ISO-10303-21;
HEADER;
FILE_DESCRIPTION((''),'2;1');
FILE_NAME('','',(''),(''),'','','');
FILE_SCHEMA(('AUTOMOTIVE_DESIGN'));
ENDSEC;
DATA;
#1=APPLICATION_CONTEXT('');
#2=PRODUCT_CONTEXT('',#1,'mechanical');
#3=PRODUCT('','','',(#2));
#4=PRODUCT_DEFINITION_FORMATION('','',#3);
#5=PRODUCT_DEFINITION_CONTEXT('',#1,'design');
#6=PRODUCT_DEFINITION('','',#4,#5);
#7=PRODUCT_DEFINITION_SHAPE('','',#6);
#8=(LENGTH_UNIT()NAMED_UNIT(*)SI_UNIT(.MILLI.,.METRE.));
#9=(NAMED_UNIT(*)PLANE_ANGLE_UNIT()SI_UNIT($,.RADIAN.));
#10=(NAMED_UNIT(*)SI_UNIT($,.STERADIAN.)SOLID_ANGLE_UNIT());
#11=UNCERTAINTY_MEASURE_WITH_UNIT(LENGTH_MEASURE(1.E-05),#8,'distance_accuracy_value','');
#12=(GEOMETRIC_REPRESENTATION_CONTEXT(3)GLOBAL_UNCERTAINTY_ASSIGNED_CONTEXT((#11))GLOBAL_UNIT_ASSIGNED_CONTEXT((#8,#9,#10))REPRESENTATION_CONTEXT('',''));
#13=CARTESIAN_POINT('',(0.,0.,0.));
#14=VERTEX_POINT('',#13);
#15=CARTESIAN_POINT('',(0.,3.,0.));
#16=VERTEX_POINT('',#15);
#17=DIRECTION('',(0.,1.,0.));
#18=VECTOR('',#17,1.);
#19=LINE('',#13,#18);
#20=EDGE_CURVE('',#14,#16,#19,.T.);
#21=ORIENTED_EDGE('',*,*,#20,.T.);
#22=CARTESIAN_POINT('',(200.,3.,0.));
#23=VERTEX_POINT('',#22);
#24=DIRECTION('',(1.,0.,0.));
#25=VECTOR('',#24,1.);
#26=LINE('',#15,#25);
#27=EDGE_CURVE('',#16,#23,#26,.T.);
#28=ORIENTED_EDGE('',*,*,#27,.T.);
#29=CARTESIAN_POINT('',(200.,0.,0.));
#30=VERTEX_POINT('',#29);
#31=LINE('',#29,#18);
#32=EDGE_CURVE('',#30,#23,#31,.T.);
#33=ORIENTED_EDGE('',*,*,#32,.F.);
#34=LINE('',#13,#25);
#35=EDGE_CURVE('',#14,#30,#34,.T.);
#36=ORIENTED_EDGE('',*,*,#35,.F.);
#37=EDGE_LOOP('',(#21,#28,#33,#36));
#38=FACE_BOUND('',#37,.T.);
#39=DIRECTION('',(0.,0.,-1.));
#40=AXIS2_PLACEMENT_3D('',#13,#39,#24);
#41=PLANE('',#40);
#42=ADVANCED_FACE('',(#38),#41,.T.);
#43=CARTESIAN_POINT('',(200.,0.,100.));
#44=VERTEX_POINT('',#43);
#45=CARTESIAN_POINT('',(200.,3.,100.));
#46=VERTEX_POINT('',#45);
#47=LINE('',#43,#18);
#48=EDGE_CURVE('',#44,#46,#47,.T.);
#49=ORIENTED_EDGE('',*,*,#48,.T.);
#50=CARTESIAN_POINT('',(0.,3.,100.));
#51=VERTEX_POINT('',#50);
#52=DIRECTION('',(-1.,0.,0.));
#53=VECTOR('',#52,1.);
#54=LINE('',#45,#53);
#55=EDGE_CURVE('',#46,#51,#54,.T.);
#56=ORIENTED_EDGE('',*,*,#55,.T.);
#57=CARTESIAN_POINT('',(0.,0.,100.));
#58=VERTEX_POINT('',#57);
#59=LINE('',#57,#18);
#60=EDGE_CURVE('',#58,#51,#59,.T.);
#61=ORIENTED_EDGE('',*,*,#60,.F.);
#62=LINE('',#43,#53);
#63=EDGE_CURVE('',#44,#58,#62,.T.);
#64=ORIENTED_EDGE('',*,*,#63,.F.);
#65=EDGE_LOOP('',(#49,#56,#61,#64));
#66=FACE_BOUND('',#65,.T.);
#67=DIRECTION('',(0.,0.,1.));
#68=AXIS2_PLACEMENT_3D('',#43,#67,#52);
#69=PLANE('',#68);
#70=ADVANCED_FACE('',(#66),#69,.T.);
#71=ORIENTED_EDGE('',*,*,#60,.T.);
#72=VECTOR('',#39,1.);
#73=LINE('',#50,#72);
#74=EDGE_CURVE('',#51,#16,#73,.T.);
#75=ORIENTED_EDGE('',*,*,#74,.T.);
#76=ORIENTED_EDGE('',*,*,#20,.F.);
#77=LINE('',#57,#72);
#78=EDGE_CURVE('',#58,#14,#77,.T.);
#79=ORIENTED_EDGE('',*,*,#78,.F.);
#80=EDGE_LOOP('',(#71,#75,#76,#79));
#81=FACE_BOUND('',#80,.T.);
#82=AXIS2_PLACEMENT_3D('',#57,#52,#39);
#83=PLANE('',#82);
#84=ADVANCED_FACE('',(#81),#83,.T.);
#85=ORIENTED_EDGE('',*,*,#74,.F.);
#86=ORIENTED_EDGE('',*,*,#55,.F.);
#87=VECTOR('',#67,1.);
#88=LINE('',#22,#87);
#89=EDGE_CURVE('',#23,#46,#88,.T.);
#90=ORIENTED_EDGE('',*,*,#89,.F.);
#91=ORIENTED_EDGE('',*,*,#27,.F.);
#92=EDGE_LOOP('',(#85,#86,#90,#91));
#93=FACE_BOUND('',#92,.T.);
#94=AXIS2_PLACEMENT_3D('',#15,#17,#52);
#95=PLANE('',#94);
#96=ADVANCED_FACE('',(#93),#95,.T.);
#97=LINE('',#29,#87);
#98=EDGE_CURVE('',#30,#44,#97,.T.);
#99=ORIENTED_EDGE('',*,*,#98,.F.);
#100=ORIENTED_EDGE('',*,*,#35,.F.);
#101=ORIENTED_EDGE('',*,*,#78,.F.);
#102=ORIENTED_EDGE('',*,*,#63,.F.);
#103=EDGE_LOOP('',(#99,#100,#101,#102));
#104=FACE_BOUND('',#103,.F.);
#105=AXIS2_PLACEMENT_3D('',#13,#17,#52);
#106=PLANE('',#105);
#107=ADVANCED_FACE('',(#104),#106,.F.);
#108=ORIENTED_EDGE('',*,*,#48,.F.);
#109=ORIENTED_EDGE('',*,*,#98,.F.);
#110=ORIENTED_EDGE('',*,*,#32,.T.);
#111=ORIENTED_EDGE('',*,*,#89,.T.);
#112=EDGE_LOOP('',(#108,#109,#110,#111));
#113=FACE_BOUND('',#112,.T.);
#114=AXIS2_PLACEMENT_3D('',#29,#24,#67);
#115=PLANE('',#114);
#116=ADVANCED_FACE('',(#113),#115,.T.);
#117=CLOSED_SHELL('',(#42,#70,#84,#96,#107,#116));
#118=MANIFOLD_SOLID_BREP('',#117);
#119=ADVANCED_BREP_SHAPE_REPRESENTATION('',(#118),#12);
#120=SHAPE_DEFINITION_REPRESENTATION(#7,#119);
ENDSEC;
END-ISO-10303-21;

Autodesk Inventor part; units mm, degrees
ref_plane "YZ Plane" through (0, 0, 0) normal (1, 0, 0) x (0, 1, 0)
ref_plane "XZ Plane" through (0, 0, 0) normal (0, 1, 0) x (-1, 0, 0)
ref_plane "XY Plane" through (0, 0, 0) normal (0, 0, 1) x (1, 0, 0)
sketch "Sketch1" plane through (0, 0, 0) normal (0, 1, 0) x (-1, 0, 0)
  line L0 (0, 0) -> (-200, 0)
  line L1 (-200, 0) -> (-200, 100)
  line L2 (-200, 100) -> (0, 100)
  line L3 (0, 100) -> (0, 0)
  dimension "d0" = 200
  dimension "d1" = 100
extrude "Extrusion1" add sketch "Sketch1" along normal blind 3
